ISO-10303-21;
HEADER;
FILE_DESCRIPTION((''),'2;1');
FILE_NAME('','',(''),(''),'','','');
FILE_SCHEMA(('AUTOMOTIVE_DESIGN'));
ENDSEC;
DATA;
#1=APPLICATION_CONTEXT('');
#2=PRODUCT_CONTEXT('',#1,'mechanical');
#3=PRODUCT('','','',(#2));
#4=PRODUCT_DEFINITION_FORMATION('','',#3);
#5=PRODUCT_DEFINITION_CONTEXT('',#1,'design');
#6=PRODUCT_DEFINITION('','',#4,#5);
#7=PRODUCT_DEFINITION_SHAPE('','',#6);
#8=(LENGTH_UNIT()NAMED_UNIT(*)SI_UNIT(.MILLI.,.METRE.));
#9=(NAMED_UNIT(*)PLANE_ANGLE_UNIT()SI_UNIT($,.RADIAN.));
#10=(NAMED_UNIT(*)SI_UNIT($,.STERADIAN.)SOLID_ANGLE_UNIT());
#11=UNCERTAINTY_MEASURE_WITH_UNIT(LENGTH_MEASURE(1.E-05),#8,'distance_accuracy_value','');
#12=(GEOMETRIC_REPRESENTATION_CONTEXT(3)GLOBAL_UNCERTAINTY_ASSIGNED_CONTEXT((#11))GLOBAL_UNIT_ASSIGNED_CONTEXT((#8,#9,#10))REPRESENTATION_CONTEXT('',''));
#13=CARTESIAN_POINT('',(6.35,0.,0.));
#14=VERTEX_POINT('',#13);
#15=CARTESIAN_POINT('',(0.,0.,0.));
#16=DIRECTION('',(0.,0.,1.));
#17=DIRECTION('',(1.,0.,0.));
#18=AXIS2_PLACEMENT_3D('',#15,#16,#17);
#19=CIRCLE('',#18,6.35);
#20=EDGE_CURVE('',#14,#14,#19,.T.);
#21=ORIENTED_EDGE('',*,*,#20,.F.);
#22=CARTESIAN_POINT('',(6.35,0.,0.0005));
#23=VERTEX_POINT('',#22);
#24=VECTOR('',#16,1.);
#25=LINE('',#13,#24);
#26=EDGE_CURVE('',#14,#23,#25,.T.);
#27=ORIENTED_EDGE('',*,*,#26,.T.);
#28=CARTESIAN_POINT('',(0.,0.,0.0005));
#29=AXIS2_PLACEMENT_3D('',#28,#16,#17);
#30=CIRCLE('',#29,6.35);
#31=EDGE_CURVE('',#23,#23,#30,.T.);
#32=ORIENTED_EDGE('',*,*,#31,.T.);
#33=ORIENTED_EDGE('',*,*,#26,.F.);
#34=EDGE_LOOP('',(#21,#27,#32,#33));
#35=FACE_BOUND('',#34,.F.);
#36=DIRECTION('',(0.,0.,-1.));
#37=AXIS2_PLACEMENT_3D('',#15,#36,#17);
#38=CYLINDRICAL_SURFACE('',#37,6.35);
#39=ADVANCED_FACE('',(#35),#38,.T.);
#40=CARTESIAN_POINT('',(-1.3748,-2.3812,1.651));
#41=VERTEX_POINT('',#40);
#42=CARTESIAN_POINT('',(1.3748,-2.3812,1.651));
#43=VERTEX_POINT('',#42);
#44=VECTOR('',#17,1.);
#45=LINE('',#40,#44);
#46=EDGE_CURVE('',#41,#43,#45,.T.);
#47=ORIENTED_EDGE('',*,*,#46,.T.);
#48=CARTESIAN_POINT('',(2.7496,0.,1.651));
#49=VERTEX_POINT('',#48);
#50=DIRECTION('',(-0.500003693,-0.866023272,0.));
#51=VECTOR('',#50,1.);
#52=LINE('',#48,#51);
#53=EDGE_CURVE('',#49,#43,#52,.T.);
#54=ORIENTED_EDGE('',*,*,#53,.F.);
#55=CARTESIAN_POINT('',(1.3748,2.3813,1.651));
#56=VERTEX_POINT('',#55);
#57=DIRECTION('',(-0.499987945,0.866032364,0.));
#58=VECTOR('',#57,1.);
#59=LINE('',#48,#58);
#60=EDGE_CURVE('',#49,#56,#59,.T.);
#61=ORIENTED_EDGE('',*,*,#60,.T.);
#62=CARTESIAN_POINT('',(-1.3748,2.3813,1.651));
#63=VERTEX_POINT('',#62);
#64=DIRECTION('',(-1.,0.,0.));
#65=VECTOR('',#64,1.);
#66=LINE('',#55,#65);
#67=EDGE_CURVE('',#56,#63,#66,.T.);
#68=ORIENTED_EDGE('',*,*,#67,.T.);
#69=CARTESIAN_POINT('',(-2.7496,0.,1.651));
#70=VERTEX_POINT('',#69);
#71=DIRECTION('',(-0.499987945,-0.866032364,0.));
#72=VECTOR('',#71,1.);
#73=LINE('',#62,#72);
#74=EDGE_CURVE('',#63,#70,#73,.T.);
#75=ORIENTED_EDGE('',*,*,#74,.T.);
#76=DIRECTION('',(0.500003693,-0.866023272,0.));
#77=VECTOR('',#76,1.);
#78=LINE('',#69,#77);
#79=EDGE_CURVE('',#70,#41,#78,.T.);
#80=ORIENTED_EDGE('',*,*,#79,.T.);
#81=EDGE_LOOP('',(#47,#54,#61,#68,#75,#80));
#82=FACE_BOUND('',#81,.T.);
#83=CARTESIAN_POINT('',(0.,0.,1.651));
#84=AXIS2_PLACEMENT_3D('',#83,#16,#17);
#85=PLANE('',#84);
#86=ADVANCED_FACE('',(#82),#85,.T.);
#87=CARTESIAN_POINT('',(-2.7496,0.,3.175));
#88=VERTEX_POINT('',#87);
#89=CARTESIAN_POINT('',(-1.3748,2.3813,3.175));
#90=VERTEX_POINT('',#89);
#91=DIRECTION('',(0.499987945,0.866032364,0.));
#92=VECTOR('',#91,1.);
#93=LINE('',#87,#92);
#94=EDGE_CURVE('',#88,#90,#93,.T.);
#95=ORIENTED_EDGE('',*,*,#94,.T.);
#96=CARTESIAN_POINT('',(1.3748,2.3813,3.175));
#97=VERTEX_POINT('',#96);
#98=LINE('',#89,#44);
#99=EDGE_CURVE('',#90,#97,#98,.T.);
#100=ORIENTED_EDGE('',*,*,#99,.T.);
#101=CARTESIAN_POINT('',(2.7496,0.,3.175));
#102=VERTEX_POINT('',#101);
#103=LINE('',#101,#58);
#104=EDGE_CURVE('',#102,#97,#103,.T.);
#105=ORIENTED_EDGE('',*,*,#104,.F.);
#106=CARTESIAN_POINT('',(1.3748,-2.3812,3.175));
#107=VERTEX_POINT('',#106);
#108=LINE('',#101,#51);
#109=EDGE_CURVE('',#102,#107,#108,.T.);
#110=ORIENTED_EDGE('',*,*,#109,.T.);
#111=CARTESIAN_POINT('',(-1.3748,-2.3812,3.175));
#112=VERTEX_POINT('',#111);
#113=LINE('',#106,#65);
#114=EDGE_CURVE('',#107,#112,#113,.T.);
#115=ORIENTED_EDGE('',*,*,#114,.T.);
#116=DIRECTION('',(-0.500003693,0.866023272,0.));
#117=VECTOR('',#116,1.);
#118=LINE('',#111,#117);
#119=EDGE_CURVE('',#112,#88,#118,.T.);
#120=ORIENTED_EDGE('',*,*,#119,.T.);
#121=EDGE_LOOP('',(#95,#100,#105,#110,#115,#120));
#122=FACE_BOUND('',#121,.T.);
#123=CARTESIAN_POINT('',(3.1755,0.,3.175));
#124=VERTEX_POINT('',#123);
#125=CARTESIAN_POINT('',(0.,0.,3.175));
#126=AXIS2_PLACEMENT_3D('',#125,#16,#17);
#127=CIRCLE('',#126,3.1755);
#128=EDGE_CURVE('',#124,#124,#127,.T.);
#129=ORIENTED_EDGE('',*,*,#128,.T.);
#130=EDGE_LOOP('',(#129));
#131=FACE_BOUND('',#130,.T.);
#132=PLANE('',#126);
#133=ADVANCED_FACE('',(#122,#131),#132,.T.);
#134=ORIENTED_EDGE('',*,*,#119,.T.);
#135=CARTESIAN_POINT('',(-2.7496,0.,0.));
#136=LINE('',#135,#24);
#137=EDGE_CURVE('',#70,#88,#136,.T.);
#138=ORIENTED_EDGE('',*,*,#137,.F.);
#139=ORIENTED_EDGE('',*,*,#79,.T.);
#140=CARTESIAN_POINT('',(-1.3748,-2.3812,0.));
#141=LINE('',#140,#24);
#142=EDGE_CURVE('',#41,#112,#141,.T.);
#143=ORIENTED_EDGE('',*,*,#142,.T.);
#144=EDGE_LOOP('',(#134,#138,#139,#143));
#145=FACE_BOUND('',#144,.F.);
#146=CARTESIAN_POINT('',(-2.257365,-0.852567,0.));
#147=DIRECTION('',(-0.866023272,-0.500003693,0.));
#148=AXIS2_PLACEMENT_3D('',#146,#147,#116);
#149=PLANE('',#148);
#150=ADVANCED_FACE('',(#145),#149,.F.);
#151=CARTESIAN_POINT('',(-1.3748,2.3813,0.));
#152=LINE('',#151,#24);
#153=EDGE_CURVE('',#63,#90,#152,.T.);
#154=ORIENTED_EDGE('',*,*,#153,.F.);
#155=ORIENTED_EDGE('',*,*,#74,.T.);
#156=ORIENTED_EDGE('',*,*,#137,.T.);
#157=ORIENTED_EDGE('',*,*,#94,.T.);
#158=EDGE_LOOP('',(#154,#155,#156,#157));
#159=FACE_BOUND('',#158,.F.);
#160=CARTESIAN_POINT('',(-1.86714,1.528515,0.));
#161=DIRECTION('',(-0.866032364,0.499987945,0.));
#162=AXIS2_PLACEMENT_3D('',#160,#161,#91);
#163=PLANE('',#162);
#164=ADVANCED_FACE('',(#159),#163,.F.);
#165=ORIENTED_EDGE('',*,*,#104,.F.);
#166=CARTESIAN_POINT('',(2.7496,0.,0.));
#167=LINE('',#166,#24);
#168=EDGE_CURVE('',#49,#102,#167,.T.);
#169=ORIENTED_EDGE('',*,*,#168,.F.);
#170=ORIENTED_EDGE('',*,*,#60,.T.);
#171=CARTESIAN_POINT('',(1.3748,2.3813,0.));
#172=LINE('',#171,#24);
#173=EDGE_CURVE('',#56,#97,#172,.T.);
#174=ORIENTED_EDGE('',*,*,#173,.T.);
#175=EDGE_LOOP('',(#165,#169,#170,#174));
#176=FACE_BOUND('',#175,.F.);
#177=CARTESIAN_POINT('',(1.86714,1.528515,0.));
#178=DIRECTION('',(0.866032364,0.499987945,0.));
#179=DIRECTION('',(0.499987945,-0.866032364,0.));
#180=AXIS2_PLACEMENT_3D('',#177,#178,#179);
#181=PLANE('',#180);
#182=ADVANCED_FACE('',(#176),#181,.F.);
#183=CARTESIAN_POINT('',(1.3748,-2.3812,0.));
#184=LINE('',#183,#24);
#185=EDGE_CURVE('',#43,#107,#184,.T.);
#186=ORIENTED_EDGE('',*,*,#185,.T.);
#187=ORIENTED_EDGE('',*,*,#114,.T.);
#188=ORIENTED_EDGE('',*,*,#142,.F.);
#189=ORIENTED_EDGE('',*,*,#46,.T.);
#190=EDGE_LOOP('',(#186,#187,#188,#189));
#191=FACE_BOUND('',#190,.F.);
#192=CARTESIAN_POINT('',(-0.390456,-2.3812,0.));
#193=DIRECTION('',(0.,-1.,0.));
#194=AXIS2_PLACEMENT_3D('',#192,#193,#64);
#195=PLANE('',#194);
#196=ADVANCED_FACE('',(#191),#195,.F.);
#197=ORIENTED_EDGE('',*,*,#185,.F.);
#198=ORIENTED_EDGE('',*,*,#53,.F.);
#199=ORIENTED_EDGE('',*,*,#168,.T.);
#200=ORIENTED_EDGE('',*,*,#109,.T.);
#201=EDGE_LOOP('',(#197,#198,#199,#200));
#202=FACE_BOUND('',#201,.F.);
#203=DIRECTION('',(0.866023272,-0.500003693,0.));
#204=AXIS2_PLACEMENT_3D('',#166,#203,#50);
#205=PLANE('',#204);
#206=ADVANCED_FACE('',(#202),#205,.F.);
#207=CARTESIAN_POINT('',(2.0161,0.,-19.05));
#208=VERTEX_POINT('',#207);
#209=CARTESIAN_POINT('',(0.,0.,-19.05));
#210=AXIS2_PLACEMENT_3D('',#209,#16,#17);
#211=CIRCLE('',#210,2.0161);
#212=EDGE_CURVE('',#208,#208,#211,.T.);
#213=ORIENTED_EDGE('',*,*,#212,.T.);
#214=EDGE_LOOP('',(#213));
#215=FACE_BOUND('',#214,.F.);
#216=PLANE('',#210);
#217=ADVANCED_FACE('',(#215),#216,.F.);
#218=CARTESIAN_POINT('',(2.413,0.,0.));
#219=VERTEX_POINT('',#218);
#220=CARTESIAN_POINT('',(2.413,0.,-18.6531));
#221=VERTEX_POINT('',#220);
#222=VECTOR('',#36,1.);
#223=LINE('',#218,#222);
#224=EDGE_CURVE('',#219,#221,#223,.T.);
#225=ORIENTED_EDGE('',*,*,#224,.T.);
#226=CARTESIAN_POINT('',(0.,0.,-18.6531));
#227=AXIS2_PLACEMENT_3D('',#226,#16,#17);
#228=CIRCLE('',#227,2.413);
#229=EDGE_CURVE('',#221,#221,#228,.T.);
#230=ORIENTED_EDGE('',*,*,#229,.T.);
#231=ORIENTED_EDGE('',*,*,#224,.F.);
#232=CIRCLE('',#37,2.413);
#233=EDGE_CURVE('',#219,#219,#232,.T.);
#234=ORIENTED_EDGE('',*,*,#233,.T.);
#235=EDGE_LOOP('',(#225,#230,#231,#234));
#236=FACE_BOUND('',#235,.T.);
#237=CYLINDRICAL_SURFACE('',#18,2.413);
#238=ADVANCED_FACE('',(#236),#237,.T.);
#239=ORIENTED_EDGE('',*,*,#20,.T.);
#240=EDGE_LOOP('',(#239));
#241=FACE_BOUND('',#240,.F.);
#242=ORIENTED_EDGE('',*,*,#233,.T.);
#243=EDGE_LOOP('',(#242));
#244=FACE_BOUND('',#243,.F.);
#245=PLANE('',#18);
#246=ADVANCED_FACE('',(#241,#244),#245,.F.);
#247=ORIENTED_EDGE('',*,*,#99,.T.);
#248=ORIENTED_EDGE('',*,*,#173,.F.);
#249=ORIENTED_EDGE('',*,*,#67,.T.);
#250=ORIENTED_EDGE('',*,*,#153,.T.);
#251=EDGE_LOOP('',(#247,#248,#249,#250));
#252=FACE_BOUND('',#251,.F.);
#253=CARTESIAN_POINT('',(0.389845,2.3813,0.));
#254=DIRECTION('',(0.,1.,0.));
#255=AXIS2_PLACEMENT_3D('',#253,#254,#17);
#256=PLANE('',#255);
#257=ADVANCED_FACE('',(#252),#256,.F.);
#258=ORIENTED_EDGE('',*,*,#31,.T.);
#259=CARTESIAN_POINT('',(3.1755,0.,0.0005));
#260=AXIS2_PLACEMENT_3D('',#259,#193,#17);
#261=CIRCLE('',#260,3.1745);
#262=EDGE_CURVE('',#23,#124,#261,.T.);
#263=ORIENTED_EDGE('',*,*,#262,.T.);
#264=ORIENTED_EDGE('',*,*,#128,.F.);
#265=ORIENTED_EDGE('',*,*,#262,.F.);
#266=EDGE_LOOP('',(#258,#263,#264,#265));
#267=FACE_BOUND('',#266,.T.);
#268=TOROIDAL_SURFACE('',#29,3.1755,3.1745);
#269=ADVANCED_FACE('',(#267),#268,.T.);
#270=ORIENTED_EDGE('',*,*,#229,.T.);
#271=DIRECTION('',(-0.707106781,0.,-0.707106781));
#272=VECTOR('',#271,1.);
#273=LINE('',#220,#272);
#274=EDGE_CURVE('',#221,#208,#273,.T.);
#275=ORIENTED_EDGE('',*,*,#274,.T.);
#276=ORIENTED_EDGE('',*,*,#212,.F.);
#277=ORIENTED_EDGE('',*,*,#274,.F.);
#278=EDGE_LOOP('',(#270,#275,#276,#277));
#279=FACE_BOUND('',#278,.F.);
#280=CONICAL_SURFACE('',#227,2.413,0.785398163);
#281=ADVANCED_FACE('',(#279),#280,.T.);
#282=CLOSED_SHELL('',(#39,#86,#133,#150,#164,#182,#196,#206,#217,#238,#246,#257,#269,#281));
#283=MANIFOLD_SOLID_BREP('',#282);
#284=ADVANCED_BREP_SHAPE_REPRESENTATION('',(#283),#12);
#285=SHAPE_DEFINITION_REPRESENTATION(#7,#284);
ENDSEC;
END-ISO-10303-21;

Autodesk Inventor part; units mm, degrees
ref_plane "YZ Plane" through (0, 0, 0) normal (1, 0, 0) x (0, 1, 0)
ref_plane "XZ Plane" through (0, 0, 0) normal (0, 1, 0) x (-1, 0, 0)
ref_plane "XY Plane" through (0, 0, 0) normal (0, 0, 1) x (1, 0, 0)
sketch "Sketch1" plane through (0, 0, 0) normal (0, 0, 1) x (1, 0, 0)
  circle A0 centre (0, 0) radius 2.413
  circle A1 centre (0, 0) radius 6.35
  line L0 (1.3748, 2.3813) -> (2.7496, 0)
  line L1 (2.7496, 0) -> (1.3748, -2.3812)
  line L2 (1.3748, -2.3812) -> (-1.3748, -2.3812)
  line L3 (-1.3748, -2.3812) -> (-2.7496, 0)
  line L4 (-2.7496, 0) -> (-1.3748, 2.3813)
  line L5 (-1.3748, 2.3813) -> (1.3748, 2.3813)
  dimension "d0" = 4.826
  dimension "d1" = 12.7
  dimension "d2" = 4.7625
extrude "Extrusion1" add sketch "Sketch1" against normal blind 19.05 contours A0 L1 L2 L3 L4 L5 L0 | L0 A0 | A0 L1 | L5 A0 | A0 L2 | L4 A0 | A0 L3
extrude "Extrusion2" add sketch "Sketch1" along normal blind 3.175 contours L0 A0 | A0 L1 | L5 A0 | A0 L2 | L4 A0 | A0 L3 | A1
extrude "Extrusion3" add sketch "Sketch1" along normal blind 1.651 contours A0 L1 L2 L3 L4 L5 L0 | A0 L0 L1 | A0 L5 L0 | L1 L2 A0 | A0 L4 L5 | L2 L3 A0 | A0 L3 L4
thread "Thread1" size "10-32 UNF" class "2A" standard "ANSI Unified Screw Threads" full length
chamfer "Chamfer1" distance 0.3969 angle 45 1 edges at (-2.413, 0, -19.05)
fillet "Fillet1" radius 3.175 1 edges at (-6.35, 0, 3.175)
properties part number "10 32 bolt 0.75"
